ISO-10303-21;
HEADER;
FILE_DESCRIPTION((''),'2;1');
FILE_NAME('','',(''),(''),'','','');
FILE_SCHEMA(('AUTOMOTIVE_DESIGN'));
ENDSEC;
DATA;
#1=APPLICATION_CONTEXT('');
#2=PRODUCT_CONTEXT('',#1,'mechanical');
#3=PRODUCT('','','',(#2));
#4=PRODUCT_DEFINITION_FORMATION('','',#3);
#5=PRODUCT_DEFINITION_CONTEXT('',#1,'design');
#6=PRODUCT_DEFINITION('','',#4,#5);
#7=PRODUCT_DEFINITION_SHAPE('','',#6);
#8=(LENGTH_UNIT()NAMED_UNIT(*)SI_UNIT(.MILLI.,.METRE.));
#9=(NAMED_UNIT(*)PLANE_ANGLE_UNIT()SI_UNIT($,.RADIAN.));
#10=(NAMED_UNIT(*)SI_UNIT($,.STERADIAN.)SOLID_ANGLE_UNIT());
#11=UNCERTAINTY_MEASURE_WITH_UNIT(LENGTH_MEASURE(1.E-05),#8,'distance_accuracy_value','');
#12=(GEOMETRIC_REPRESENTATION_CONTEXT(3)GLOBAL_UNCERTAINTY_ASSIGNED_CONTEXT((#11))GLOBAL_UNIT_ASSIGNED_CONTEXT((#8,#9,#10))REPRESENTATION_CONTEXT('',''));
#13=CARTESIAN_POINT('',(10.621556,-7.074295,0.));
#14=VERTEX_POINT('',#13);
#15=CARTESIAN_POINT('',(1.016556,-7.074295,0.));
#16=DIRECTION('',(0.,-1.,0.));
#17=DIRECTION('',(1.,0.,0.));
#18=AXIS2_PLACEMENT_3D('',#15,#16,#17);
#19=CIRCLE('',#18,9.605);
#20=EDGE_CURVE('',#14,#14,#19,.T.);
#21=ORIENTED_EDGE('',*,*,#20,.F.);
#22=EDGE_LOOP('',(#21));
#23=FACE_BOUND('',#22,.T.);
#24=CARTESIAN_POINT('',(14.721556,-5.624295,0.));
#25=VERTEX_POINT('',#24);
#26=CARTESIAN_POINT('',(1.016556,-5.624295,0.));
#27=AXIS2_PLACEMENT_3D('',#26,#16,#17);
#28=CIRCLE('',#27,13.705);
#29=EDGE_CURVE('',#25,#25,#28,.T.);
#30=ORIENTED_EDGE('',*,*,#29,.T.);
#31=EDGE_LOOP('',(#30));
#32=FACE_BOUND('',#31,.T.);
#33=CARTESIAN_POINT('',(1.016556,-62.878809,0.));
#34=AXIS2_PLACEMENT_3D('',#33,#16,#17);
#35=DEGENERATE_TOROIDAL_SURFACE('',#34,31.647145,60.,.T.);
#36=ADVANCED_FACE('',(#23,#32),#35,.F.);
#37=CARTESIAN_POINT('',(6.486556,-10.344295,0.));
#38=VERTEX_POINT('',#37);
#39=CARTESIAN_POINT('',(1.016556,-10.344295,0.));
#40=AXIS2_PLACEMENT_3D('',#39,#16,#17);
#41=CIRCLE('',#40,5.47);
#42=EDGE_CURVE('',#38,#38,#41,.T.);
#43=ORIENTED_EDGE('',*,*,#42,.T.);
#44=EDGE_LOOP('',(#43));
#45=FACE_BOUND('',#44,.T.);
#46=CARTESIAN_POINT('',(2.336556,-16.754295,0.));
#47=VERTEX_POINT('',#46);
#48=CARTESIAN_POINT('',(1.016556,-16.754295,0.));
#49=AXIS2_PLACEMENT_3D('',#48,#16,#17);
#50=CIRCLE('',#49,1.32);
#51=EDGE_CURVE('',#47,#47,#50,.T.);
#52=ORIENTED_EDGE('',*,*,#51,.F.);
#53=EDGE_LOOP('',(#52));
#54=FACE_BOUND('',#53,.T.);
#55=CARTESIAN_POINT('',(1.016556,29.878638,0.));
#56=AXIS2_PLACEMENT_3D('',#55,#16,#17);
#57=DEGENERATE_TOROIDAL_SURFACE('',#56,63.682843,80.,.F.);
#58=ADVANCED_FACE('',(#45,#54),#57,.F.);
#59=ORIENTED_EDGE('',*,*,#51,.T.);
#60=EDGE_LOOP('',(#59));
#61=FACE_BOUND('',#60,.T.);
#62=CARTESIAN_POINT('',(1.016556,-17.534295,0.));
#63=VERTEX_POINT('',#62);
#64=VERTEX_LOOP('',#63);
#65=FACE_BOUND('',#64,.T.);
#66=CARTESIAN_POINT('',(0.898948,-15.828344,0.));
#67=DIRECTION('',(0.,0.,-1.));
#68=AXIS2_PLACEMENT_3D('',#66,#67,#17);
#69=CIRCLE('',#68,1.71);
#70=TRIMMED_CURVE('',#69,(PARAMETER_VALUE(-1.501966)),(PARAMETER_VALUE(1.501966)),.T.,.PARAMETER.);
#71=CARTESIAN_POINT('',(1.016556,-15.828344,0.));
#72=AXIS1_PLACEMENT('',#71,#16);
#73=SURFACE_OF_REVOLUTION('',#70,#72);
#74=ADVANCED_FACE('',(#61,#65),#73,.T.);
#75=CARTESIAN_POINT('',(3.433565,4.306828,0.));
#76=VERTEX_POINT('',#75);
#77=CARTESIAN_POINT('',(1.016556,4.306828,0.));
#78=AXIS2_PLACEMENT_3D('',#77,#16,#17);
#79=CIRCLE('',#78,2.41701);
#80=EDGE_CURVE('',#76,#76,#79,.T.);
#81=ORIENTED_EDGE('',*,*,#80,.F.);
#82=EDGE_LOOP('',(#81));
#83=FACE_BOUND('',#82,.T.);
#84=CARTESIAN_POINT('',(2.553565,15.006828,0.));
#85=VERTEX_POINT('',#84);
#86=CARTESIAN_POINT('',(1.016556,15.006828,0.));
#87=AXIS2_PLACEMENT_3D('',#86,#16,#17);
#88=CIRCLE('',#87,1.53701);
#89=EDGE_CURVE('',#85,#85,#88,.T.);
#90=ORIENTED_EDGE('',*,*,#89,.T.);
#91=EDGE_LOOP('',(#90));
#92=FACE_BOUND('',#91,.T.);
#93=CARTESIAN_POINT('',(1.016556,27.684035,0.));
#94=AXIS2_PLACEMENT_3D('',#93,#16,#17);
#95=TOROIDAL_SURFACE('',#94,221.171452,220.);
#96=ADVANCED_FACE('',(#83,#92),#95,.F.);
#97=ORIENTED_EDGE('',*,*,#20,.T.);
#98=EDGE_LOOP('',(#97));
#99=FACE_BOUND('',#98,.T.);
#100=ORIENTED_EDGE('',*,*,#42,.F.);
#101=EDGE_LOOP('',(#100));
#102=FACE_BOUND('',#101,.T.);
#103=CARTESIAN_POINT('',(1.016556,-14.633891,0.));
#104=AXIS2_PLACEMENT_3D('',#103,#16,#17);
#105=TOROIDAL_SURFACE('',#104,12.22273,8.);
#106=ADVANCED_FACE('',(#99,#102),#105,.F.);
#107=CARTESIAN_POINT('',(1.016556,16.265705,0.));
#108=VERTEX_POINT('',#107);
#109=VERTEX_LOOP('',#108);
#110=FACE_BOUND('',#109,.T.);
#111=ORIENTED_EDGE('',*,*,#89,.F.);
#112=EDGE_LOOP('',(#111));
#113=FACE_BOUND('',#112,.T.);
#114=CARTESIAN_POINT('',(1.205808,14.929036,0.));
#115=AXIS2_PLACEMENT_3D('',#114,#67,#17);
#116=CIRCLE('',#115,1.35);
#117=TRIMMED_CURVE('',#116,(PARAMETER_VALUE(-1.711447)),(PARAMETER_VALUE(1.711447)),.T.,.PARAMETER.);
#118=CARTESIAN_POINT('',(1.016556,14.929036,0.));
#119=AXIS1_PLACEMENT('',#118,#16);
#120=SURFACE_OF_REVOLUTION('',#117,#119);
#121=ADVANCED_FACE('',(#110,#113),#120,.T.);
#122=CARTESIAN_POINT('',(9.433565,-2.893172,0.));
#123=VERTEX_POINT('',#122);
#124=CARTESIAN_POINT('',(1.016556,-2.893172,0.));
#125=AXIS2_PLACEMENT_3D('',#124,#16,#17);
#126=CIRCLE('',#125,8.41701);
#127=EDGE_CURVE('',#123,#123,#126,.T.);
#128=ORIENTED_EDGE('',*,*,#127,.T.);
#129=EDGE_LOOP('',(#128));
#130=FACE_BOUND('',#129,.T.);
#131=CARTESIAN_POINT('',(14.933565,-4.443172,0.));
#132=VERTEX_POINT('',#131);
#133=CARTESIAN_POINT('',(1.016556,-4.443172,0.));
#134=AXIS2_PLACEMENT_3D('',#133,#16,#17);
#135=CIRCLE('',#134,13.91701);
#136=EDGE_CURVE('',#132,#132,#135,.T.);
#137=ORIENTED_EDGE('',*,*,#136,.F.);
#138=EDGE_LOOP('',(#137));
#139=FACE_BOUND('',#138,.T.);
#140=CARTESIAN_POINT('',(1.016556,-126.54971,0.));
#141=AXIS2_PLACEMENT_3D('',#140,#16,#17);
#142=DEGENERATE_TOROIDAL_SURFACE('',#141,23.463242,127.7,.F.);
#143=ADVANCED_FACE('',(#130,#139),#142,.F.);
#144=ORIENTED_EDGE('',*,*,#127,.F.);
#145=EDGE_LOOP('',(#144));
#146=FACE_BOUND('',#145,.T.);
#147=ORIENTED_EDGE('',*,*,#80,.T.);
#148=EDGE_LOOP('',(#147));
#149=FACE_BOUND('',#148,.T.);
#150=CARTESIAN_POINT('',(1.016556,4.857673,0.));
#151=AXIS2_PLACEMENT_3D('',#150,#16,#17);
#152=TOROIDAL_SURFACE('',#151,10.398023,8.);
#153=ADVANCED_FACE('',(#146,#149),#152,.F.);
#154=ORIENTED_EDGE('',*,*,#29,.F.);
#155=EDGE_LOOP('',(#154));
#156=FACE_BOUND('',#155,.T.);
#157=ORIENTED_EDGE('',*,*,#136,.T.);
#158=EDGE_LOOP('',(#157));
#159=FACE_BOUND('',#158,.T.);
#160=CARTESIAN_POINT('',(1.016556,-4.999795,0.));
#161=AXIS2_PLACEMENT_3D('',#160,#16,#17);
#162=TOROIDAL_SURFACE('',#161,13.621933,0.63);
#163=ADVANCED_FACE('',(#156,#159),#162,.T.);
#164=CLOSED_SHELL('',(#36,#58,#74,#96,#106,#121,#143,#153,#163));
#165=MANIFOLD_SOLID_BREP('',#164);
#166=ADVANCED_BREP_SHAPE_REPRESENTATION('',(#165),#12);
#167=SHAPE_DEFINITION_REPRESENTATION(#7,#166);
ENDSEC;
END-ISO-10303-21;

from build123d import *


with BuildPart() as part:
    # Esboço1 → Revolução1 (revolve)
    with BuildSketch(Plane.XY):
        with BuildLine():
            Line((1.016555702, -17.534294806), (1.016555702, 16.265705194))
            ThreePointArc((1.016555702, 16.265705194), (2.06121806, 15.973437857), (2.553565234, 15.006828371))
            ThreePointArc((2.553565234, 15.006828371), (2.92828475, 9.651459509), (3.433565234, 4.306828371))
            ThreePointArc((3.433565234, 4.306828371), (5.268808127, -0.263802551), (9.433565234, -2.893171629))
            ThreePointArc((9.433565234, -2.893171629), (12.192236118, -3.637403975), (14.933565234, -4.443171629))
            ThreePointArc((14.933565234, -4.443171629), (15.258578175, -5.111100137), (14.721555702, -5.624294806))
            ThreePointArc((14.721555702, -5.624294806), (12.658414234, -6.31213617), (10.621555702, -7.074294806))
            ThreePointArc((10.621555702, -7.074294806), (8.276967202, -8.358909194), (6.486555702, -10.344294806))
            ThreePointArc((6.486555702, -10.344294806), (4.488079996, -13.598838615), (2.336555702, -16.754294806))
            ThreePointArc((2.336555702, -16.754294806), (1.76887547, -17.300528258), (1.016555702, -17.534294806))
        make_face()
    revolve(axis=Axis((1.016555702, -17.534294806, 0), (0, 1, 0)))


solid = part.part
